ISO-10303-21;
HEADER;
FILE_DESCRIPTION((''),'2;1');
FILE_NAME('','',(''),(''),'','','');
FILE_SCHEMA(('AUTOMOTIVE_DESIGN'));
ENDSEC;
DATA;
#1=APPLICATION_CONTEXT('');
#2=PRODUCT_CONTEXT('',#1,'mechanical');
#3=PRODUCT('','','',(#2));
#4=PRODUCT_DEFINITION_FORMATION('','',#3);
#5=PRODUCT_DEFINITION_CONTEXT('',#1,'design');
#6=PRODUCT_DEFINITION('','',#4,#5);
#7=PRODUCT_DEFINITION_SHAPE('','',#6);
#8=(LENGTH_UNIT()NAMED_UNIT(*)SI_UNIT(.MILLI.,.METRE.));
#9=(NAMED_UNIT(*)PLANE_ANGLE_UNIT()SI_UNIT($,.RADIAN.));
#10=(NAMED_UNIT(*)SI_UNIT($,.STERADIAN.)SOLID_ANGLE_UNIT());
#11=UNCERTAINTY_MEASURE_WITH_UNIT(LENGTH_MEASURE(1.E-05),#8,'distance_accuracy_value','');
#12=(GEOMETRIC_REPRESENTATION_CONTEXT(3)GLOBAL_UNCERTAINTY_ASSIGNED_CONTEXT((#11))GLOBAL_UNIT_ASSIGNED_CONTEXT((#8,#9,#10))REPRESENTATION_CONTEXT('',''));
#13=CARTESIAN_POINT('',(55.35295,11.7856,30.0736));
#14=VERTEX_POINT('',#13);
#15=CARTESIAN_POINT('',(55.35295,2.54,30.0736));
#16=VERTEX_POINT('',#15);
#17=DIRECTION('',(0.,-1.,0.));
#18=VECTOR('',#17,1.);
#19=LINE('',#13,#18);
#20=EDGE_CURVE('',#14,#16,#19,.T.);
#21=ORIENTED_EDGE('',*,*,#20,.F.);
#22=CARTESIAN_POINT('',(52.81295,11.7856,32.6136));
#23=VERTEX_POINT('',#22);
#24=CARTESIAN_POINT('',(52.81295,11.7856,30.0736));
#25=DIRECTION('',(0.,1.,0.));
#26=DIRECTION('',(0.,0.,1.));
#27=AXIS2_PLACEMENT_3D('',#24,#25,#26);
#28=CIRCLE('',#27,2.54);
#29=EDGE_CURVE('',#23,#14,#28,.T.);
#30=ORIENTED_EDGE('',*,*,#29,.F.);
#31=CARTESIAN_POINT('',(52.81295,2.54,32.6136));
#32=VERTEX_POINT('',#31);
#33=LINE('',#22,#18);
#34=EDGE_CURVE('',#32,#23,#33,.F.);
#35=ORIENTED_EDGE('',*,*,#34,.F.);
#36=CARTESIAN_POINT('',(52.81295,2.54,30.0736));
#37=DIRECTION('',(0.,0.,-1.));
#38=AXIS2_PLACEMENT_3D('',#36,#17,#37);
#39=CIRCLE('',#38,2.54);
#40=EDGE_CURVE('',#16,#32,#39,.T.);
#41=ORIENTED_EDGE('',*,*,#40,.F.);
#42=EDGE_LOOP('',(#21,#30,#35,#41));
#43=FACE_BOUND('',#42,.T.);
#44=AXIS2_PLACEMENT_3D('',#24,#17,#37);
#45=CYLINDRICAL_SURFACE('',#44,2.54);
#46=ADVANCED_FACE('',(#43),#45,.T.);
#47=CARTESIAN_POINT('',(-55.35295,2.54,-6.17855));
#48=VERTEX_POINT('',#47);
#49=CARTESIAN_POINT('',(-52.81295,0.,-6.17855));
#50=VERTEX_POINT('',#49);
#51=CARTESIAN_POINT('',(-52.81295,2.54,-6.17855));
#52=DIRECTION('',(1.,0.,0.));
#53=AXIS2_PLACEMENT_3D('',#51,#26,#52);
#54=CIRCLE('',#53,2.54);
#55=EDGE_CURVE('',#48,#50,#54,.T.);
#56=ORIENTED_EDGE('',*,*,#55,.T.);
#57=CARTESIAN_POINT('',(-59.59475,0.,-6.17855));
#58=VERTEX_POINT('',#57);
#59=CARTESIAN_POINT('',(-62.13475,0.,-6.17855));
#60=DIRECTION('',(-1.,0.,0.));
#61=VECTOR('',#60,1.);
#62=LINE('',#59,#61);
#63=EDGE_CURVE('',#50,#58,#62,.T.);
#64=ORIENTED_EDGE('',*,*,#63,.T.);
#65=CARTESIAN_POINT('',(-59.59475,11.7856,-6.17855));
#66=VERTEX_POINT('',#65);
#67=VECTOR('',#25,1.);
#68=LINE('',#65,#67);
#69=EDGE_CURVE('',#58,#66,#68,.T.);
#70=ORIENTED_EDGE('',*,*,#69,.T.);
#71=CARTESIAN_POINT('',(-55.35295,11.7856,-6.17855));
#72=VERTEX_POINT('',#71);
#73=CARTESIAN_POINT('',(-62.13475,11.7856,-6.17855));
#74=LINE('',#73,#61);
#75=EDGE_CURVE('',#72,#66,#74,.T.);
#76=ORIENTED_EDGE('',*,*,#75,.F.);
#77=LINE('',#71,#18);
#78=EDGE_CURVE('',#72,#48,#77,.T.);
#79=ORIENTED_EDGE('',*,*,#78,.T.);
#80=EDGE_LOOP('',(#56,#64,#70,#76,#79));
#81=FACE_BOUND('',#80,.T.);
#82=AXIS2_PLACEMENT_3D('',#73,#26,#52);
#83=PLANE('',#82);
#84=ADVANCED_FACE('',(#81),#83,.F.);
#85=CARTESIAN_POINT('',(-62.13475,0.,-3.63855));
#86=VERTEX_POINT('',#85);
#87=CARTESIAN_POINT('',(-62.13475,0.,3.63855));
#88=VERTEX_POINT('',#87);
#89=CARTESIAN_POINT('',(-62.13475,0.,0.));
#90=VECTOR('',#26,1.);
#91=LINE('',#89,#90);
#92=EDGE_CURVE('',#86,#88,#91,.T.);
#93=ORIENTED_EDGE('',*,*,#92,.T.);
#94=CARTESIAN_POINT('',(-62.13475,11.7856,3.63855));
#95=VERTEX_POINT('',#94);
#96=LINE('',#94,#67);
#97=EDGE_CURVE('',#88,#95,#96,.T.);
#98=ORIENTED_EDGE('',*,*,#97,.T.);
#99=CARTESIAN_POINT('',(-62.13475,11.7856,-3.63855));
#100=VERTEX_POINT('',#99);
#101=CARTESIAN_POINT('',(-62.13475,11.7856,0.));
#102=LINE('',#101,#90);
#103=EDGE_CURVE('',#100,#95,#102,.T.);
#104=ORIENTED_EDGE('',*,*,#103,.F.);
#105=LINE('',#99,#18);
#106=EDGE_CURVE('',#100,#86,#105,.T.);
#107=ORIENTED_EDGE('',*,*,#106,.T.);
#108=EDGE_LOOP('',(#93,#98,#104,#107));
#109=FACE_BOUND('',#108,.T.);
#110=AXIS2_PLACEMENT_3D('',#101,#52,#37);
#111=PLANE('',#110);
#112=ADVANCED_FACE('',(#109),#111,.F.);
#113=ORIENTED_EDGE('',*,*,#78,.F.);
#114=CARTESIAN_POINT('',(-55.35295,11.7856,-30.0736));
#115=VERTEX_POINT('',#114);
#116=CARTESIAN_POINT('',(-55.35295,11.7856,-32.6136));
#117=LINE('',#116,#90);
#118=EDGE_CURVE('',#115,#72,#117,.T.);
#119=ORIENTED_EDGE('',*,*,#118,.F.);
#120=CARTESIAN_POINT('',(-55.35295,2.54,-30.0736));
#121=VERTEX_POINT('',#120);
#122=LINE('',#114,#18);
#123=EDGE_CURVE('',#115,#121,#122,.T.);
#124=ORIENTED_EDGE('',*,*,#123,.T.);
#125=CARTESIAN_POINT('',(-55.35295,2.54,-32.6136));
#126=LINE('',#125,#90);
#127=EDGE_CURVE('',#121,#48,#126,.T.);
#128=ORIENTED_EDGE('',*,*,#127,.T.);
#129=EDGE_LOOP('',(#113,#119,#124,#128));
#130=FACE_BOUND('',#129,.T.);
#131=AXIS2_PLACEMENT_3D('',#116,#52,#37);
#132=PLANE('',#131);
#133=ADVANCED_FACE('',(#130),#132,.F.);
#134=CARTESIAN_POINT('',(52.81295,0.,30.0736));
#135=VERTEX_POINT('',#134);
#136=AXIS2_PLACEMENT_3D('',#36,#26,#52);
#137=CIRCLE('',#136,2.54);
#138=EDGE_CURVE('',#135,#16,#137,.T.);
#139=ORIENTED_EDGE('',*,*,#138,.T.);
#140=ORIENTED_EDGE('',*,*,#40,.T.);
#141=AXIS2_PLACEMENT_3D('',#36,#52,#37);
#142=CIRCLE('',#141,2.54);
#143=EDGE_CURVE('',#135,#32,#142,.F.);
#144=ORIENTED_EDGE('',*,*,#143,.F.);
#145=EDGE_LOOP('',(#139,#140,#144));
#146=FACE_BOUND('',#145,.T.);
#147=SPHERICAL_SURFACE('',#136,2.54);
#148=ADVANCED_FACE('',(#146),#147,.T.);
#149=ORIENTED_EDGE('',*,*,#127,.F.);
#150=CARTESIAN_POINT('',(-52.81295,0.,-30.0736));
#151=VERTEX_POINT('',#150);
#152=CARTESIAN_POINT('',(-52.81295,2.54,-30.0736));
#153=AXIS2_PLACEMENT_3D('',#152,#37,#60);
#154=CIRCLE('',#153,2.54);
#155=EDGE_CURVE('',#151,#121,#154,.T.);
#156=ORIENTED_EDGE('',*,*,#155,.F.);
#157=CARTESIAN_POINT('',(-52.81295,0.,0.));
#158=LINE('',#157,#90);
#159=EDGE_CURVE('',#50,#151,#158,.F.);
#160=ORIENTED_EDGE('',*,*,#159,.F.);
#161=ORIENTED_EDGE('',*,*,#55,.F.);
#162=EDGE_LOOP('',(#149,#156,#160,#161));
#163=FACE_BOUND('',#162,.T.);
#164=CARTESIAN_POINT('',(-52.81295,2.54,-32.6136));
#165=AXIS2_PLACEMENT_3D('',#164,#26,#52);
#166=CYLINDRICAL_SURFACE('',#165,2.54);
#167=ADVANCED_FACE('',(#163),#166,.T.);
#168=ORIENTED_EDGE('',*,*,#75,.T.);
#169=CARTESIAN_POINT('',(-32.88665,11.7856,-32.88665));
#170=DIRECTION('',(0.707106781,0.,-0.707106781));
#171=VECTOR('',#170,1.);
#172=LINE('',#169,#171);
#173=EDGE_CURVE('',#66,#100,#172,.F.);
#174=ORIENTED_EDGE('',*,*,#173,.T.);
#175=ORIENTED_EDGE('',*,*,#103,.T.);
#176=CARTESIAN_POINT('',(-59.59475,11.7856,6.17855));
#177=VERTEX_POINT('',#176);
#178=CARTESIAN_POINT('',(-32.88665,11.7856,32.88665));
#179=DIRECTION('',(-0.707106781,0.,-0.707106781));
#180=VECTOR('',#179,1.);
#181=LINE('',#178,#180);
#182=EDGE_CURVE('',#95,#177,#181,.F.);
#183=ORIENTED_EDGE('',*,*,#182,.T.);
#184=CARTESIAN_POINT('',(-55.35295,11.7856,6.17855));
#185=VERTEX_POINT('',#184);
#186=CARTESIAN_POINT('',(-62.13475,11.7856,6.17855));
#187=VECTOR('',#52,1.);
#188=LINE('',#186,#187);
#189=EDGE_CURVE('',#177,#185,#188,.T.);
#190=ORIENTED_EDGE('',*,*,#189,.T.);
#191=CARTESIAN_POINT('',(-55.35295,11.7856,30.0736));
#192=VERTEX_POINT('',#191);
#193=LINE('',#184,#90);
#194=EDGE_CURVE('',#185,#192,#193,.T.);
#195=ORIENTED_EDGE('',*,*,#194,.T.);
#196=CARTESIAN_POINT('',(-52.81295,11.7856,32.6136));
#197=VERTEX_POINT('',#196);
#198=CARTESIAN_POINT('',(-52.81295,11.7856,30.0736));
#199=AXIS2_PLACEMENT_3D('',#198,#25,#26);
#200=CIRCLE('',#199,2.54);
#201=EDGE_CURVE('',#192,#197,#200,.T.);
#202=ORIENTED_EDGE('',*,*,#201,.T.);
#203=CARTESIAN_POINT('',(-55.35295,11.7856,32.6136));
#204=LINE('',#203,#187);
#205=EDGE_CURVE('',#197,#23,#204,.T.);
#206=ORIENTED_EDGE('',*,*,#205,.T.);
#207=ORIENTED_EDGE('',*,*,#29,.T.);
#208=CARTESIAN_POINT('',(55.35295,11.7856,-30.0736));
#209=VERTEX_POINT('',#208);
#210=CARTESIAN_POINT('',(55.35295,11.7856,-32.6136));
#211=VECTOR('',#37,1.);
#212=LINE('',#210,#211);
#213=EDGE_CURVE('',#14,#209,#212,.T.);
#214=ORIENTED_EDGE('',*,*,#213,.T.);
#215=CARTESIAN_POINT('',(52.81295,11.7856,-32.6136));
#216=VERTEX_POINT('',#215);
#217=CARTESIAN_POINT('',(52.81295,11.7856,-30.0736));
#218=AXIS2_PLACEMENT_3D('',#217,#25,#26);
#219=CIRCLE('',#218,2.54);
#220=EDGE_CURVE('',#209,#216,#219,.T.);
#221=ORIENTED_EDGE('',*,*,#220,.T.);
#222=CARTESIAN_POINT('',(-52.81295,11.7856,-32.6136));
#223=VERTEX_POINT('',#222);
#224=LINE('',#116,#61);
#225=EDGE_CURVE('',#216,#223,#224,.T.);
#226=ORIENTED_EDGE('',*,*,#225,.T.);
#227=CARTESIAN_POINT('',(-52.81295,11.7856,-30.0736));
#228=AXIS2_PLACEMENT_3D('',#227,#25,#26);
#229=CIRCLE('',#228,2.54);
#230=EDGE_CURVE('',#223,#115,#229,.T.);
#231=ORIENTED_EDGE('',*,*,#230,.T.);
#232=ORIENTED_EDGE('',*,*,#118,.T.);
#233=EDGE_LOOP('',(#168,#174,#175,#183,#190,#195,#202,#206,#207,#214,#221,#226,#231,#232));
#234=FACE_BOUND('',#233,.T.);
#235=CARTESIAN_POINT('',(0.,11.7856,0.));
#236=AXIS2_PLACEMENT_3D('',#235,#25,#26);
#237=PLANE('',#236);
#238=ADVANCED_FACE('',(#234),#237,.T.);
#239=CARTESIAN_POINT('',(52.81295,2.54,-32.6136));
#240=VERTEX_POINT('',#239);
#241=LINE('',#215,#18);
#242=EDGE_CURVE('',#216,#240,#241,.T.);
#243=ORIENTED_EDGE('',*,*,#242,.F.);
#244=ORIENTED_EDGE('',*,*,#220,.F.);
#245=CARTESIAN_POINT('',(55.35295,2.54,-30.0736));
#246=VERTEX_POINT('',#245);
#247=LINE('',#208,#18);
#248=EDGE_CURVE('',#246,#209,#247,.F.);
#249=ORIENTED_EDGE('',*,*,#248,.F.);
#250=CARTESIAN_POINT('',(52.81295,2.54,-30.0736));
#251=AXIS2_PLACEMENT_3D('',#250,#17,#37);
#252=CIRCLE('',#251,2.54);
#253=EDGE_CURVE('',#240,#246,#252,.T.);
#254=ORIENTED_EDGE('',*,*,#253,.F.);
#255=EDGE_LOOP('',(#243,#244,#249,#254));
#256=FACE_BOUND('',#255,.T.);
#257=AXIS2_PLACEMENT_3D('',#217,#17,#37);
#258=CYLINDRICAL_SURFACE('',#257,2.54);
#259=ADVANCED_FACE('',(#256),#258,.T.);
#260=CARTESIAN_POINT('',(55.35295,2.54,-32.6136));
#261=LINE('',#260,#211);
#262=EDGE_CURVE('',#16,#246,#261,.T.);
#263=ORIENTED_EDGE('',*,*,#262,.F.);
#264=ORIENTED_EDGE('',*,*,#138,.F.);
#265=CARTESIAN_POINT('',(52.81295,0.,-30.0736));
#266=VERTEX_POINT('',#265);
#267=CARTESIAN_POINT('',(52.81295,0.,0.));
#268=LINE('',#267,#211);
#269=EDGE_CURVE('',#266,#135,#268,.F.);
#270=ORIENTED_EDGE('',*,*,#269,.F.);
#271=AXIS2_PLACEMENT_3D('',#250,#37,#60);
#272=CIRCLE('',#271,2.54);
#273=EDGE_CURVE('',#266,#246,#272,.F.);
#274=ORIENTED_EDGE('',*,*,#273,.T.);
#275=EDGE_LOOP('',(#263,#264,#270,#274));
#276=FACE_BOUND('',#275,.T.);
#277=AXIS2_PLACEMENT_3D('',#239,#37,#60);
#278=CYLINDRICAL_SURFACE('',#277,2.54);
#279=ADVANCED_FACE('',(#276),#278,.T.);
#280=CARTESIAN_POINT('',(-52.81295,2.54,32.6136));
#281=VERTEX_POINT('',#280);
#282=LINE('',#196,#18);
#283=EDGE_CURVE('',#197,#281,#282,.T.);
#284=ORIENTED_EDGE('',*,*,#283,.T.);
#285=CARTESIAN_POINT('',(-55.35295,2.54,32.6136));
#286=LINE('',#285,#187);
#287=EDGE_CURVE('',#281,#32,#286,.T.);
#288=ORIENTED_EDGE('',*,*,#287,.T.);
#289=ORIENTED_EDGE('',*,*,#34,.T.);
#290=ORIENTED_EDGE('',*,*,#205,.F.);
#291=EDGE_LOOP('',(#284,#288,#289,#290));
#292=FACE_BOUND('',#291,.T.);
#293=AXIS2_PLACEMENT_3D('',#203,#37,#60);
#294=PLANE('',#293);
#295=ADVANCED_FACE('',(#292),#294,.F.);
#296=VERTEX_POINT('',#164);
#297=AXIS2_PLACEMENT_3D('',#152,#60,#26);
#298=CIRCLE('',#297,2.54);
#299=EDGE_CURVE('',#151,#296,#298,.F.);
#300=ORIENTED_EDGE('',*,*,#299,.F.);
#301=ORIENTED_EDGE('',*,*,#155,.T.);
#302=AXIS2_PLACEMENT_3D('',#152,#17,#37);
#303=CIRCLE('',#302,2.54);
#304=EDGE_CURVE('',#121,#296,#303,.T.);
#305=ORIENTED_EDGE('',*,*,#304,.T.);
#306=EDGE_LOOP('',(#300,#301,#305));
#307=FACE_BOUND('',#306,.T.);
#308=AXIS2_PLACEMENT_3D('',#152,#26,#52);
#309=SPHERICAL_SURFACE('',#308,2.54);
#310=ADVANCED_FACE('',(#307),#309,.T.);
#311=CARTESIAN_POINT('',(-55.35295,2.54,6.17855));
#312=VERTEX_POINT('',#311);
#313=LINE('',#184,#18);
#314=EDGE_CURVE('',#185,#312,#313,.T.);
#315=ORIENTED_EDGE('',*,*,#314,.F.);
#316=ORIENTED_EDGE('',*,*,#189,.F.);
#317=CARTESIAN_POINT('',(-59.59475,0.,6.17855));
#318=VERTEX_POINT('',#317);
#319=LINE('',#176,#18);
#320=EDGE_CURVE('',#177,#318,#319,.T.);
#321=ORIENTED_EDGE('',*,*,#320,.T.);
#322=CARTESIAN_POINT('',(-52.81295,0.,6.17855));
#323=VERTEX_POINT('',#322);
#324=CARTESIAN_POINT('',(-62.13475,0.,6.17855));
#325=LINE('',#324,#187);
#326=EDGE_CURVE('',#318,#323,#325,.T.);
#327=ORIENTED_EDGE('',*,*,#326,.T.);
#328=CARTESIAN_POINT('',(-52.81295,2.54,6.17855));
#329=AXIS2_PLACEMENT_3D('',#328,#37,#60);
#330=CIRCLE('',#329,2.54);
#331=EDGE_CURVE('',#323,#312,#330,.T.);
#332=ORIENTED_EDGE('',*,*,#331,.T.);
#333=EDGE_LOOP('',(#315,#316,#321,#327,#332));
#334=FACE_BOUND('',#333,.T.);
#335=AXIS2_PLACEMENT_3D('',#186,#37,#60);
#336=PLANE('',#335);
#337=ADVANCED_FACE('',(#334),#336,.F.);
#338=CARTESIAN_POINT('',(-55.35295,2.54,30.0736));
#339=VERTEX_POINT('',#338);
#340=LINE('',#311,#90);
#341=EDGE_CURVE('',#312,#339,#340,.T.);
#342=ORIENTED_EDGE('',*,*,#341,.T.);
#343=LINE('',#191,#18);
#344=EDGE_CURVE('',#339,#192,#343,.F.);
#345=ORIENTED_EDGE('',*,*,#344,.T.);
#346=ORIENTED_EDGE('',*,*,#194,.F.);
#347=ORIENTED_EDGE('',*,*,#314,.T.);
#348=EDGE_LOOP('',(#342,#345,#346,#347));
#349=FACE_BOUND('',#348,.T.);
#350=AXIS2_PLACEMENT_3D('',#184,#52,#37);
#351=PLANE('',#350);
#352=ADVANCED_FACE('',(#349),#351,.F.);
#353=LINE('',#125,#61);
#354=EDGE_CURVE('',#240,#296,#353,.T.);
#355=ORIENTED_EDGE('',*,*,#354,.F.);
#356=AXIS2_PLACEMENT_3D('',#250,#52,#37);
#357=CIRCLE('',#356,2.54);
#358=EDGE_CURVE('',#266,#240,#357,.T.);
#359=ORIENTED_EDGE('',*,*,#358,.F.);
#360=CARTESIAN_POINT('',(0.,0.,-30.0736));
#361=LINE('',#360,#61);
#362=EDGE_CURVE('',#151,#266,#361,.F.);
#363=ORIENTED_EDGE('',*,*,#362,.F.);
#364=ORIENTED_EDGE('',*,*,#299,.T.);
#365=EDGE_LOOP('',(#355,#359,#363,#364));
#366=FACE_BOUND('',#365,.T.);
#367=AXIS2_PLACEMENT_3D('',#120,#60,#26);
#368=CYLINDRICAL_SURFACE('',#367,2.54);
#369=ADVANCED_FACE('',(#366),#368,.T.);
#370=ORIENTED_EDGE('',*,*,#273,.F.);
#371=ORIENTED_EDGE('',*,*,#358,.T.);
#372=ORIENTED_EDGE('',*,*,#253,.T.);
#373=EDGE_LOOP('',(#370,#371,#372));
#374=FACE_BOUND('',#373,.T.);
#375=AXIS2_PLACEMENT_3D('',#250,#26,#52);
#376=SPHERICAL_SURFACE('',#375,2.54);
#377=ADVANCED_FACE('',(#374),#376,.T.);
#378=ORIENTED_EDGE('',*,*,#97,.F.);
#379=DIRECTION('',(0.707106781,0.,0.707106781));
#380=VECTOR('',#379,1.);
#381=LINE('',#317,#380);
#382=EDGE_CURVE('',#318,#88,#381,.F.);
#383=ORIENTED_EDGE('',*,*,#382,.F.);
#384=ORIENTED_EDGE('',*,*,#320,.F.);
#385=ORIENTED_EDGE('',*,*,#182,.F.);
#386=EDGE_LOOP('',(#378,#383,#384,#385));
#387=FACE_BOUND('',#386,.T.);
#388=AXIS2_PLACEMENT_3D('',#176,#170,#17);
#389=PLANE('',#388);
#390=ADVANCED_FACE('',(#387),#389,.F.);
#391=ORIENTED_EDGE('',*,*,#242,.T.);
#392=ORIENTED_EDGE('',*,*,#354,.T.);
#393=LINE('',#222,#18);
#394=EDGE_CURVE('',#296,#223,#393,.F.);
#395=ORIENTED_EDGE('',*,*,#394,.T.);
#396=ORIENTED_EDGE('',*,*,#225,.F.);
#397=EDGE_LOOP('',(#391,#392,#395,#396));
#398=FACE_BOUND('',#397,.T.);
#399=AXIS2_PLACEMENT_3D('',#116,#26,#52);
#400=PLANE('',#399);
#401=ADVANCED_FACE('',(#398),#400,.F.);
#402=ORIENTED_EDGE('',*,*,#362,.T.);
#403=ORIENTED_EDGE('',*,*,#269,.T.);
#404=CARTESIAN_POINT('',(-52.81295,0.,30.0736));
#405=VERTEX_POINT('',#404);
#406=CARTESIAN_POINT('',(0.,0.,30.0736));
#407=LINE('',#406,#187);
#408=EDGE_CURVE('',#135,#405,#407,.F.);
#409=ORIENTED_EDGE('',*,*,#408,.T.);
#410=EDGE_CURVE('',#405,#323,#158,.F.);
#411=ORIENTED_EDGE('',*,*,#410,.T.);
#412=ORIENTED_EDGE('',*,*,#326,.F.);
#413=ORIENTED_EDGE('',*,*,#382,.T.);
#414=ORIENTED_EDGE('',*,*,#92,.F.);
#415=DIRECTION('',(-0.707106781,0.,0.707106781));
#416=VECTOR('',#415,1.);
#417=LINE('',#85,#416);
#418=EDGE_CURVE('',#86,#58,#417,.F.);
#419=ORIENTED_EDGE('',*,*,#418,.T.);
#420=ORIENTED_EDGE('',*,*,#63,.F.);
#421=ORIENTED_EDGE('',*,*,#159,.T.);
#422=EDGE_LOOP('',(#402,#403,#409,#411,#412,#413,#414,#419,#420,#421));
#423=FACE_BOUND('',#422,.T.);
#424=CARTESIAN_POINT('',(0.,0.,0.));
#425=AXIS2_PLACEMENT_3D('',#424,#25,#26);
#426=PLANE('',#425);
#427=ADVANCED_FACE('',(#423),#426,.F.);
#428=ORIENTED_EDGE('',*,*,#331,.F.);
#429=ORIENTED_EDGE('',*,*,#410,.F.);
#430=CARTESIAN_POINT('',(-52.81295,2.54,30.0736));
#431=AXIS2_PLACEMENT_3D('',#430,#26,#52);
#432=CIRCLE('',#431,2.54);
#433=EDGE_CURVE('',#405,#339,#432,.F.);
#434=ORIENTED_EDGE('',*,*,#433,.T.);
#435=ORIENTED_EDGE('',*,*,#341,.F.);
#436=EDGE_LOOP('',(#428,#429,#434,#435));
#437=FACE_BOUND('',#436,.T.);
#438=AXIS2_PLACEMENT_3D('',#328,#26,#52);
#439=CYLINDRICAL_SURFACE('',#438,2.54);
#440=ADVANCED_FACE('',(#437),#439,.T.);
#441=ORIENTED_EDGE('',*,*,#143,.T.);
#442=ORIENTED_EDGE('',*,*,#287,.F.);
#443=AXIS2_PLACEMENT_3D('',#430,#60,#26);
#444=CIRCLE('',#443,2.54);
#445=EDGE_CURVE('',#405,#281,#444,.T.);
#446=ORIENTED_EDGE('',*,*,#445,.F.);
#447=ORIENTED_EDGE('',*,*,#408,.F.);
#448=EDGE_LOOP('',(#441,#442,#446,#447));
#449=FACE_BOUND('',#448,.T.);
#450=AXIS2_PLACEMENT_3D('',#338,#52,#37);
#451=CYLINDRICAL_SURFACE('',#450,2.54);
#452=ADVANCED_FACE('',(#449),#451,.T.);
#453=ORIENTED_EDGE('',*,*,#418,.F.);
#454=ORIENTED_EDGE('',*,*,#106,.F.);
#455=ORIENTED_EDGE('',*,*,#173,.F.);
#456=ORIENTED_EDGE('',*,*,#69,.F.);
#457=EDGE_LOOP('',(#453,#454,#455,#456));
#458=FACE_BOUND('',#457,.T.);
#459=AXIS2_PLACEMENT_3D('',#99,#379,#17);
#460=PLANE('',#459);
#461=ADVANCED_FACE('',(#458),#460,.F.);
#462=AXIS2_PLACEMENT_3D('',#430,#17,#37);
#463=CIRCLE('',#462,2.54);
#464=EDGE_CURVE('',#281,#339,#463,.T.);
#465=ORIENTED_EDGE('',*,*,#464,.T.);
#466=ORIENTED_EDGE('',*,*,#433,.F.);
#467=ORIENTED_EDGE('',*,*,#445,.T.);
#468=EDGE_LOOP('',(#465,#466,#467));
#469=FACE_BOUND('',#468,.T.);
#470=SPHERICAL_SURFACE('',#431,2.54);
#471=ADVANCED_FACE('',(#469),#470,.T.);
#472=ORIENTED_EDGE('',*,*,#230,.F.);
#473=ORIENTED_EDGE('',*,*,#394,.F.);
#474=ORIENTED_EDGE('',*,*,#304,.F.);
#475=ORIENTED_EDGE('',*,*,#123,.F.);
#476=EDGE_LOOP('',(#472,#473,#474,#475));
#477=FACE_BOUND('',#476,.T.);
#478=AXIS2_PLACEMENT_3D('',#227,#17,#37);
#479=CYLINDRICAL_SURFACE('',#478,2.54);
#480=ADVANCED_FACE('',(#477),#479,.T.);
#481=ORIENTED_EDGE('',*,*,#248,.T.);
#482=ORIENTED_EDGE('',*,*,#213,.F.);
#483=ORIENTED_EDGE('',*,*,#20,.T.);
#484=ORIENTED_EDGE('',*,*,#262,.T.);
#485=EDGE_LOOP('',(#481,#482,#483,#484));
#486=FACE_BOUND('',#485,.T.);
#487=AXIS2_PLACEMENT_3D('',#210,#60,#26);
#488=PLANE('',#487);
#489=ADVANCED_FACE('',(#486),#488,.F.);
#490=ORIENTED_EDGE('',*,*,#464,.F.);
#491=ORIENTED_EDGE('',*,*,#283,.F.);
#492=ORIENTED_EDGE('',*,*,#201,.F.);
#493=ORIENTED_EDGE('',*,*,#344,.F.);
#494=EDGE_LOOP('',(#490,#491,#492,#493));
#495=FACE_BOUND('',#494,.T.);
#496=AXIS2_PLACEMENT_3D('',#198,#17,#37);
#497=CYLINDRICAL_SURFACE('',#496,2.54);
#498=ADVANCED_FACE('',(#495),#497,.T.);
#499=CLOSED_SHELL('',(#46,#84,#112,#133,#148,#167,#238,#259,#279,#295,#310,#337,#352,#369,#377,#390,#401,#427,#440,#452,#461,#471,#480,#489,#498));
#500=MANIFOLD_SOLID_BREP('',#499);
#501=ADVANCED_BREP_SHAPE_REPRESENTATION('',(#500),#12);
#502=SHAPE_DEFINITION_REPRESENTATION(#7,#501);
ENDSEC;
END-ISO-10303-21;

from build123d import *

# Parameters (mm, degrees)
BOSS_EXTRUDE1_DEPTH = 11.7856
FILLET1_R           = 2.54
CHAMFER1_SIZE       = 2.54


with BuildPart() as part:
    # Sketch1 → Boss-Extrude1 (new body)
    with BuildSketch(Plane(origin=(0, 0, 0), x_dir=(1, 0, 0), z_dir=(0, 1, 0))):
        Polygon((-55.35295, 32.6136), (55.35295, 32.6136), (55.35295, -32.6136), (-55.35295, -32.6136), (-55.35295, -6.17855), (-62.13475, -6.17855), (-62.13475, 0), (-62.13475, 6.17855), (-55.35295, 6.17855), align=None)
    extrude(amount=BOSS_EXTRUDE1_DEPTH)

    # Fillet1
    fillet1_edges = [part.edges().sort_by_distance(p)[0] for p in [
        (-55.35295, 0, -19.396075),
        (0, 0, -32.6136),
        (55.35295, 0, 0),
        (55.35295, 5.8928, 32.6136),
        (-55.35295, 5.8928, 32.6136),
        (-55.35295, 5.8928, -32.6136),
        (55.35295, 5.8928, -32.6136),
        (0, 0, 32.6136),
        (-55.35295, 0, 19.396075),
    ]]
    fillet(fillet1_edges, radius=FILLET1_R)

    # Chamfer1
    chamfer1_edges = [part.edges().sort_by_distance(p)[0] for p in [
        (-62.13475, 5.8928, 6.17855),
        (-62.13475, 5.8928, -6.17855),
    ]]
    chamfer(chamfer1_edges, length=CHAMFER1_SIZE)


solid = part.part
